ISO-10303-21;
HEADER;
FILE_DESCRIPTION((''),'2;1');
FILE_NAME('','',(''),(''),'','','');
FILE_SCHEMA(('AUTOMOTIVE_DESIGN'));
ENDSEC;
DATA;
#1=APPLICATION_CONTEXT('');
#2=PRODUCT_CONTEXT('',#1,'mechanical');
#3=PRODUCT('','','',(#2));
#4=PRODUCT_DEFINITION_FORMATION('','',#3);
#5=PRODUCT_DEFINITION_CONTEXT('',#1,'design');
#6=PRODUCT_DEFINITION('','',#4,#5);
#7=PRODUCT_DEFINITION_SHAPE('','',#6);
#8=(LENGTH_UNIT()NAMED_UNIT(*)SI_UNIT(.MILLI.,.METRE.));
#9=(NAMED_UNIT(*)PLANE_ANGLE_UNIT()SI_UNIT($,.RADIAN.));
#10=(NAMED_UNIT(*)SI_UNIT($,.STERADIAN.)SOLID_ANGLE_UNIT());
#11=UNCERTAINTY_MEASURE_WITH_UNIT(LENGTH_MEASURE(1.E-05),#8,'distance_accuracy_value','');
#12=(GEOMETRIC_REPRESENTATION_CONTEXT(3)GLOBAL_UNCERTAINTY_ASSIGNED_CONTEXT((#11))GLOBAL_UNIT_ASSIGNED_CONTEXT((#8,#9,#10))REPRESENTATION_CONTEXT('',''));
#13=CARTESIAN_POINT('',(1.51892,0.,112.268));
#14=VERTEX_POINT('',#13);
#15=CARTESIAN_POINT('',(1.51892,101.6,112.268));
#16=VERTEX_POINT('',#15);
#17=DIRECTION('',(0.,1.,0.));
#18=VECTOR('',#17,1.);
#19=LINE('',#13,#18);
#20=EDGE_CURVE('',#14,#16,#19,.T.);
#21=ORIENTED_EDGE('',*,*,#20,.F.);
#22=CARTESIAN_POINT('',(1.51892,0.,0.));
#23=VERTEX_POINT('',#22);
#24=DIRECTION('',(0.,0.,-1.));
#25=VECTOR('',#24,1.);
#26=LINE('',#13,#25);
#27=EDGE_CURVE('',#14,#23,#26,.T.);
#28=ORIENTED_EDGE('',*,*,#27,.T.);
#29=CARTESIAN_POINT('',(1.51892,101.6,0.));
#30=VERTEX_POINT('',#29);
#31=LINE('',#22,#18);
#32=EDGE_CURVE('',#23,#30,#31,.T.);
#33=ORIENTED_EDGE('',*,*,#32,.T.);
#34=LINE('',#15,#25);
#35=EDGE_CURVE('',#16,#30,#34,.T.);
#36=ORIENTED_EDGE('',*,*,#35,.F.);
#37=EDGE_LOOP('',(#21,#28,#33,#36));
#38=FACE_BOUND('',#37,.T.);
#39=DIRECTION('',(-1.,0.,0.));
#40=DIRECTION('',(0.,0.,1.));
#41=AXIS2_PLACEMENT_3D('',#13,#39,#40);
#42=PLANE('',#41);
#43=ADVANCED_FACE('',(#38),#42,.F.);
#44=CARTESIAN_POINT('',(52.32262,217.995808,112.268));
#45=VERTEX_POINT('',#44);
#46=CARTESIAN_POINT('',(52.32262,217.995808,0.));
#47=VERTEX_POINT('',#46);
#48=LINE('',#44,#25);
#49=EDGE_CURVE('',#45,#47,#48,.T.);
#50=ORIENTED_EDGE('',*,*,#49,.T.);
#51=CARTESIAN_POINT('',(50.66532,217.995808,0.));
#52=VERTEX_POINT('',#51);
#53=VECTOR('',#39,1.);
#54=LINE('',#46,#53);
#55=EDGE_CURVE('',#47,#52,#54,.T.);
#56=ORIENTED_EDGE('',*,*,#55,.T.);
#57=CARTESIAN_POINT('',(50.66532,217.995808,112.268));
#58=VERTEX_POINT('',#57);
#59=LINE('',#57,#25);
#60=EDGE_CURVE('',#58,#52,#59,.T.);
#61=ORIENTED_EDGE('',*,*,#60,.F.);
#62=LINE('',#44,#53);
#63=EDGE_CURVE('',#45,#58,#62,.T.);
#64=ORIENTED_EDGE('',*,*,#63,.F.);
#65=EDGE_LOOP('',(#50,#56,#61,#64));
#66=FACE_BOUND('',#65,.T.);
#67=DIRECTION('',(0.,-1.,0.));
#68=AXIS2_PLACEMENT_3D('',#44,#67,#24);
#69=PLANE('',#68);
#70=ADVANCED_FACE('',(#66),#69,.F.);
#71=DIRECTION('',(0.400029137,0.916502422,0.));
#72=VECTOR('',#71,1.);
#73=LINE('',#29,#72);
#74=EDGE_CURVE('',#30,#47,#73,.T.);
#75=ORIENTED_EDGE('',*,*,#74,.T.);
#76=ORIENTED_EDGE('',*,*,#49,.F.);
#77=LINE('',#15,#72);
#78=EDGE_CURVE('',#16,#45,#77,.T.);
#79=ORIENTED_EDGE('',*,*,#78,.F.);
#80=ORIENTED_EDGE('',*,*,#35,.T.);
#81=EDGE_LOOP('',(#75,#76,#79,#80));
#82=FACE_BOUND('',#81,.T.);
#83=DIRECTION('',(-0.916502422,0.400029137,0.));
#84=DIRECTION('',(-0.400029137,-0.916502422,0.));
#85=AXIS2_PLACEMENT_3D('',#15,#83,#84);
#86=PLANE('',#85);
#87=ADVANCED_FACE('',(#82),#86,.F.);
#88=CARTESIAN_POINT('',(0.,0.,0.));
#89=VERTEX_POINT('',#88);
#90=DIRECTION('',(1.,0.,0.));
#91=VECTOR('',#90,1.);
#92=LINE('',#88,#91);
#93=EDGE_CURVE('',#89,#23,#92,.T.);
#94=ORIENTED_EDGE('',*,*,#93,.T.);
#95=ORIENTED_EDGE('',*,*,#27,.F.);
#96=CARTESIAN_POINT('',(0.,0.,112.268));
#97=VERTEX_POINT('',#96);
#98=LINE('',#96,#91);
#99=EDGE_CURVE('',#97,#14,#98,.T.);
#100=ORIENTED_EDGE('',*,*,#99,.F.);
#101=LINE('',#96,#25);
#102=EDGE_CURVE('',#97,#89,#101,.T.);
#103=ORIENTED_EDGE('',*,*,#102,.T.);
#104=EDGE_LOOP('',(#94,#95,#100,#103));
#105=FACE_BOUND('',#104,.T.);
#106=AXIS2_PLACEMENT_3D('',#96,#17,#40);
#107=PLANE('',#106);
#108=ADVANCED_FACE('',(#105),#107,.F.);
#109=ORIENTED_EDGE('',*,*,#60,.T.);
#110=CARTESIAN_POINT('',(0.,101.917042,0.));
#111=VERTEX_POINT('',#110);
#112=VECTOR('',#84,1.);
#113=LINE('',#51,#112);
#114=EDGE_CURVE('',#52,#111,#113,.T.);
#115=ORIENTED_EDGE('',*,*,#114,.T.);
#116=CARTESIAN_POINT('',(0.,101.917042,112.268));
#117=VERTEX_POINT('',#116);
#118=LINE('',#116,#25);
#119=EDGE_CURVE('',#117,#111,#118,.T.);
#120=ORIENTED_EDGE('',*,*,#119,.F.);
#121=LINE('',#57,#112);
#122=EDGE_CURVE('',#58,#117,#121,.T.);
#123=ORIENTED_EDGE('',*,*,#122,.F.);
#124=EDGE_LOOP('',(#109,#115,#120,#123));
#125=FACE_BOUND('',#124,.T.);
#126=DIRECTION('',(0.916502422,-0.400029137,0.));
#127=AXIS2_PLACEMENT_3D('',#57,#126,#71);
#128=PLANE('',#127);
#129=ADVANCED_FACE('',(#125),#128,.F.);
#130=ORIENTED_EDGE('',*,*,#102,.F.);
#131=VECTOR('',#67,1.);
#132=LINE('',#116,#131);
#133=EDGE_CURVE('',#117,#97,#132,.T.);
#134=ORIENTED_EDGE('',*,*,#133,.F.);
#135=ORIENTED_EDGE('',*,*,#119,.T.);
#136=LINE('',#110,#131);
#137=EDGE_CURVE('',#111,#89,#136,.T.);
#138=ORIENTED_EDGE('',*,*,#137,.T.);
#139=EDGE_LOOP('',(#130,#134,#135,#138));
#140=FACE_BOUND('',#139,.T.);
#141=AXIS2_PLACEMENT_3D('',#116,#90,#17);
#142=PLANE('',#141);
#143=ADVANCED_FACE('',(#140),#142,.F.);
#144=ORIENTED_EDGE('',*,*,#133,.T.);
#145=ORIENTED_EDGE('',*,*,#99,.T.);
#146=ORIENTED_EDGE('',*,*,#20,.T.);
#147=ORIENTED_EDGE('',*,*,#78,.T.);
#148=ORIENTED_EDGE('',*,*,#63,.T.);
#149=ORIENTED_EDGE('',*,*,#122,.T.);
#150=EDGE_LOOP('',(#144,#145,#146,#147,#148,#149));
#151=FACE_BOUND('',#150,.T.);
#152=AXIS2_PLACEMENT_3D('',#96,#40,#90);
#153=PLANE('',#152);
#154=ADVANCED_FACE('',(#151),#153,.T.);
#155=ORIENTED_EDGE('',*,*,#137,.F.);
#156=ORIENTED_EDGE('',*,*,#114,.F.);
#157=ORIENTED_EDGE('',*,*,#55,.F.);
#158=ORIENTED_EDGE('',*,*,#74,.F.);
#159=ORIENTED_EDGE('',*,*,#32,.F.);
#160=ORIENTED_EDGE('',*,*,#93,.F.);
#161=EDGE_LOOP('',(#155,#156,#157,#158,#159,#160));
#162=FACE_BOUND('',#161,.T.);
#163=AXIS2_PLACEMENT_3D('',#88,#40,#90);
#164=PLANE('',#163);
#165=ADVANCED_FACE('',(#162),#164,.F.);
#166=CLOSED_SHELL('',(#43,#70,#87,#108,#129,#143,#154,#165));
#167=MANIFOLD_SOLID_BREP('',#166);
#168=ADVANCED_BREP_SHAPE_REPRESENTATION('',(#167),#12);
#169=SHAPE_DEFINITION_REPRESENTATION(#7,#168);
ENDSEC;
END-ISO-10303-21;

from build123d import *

# Parameters (mm, degrees)
BOSS_EXTRUDE1_DEPTH = 112.268


with BuildPart() as part:
    # Sketch1 → Boss-Extrude1 (new body)
    with BuildSketch(Plane.XY):
        Polygon((0, 0), (1.51892, 0), (1.51892, 101.6), (52.322620429, 217.995807582), (50.665319844, 217.995807582), (0, 101.917042259), align=None)
    extrude(amount=BOSS_EXTRUDE1_DEPTH)


solid = part.part
